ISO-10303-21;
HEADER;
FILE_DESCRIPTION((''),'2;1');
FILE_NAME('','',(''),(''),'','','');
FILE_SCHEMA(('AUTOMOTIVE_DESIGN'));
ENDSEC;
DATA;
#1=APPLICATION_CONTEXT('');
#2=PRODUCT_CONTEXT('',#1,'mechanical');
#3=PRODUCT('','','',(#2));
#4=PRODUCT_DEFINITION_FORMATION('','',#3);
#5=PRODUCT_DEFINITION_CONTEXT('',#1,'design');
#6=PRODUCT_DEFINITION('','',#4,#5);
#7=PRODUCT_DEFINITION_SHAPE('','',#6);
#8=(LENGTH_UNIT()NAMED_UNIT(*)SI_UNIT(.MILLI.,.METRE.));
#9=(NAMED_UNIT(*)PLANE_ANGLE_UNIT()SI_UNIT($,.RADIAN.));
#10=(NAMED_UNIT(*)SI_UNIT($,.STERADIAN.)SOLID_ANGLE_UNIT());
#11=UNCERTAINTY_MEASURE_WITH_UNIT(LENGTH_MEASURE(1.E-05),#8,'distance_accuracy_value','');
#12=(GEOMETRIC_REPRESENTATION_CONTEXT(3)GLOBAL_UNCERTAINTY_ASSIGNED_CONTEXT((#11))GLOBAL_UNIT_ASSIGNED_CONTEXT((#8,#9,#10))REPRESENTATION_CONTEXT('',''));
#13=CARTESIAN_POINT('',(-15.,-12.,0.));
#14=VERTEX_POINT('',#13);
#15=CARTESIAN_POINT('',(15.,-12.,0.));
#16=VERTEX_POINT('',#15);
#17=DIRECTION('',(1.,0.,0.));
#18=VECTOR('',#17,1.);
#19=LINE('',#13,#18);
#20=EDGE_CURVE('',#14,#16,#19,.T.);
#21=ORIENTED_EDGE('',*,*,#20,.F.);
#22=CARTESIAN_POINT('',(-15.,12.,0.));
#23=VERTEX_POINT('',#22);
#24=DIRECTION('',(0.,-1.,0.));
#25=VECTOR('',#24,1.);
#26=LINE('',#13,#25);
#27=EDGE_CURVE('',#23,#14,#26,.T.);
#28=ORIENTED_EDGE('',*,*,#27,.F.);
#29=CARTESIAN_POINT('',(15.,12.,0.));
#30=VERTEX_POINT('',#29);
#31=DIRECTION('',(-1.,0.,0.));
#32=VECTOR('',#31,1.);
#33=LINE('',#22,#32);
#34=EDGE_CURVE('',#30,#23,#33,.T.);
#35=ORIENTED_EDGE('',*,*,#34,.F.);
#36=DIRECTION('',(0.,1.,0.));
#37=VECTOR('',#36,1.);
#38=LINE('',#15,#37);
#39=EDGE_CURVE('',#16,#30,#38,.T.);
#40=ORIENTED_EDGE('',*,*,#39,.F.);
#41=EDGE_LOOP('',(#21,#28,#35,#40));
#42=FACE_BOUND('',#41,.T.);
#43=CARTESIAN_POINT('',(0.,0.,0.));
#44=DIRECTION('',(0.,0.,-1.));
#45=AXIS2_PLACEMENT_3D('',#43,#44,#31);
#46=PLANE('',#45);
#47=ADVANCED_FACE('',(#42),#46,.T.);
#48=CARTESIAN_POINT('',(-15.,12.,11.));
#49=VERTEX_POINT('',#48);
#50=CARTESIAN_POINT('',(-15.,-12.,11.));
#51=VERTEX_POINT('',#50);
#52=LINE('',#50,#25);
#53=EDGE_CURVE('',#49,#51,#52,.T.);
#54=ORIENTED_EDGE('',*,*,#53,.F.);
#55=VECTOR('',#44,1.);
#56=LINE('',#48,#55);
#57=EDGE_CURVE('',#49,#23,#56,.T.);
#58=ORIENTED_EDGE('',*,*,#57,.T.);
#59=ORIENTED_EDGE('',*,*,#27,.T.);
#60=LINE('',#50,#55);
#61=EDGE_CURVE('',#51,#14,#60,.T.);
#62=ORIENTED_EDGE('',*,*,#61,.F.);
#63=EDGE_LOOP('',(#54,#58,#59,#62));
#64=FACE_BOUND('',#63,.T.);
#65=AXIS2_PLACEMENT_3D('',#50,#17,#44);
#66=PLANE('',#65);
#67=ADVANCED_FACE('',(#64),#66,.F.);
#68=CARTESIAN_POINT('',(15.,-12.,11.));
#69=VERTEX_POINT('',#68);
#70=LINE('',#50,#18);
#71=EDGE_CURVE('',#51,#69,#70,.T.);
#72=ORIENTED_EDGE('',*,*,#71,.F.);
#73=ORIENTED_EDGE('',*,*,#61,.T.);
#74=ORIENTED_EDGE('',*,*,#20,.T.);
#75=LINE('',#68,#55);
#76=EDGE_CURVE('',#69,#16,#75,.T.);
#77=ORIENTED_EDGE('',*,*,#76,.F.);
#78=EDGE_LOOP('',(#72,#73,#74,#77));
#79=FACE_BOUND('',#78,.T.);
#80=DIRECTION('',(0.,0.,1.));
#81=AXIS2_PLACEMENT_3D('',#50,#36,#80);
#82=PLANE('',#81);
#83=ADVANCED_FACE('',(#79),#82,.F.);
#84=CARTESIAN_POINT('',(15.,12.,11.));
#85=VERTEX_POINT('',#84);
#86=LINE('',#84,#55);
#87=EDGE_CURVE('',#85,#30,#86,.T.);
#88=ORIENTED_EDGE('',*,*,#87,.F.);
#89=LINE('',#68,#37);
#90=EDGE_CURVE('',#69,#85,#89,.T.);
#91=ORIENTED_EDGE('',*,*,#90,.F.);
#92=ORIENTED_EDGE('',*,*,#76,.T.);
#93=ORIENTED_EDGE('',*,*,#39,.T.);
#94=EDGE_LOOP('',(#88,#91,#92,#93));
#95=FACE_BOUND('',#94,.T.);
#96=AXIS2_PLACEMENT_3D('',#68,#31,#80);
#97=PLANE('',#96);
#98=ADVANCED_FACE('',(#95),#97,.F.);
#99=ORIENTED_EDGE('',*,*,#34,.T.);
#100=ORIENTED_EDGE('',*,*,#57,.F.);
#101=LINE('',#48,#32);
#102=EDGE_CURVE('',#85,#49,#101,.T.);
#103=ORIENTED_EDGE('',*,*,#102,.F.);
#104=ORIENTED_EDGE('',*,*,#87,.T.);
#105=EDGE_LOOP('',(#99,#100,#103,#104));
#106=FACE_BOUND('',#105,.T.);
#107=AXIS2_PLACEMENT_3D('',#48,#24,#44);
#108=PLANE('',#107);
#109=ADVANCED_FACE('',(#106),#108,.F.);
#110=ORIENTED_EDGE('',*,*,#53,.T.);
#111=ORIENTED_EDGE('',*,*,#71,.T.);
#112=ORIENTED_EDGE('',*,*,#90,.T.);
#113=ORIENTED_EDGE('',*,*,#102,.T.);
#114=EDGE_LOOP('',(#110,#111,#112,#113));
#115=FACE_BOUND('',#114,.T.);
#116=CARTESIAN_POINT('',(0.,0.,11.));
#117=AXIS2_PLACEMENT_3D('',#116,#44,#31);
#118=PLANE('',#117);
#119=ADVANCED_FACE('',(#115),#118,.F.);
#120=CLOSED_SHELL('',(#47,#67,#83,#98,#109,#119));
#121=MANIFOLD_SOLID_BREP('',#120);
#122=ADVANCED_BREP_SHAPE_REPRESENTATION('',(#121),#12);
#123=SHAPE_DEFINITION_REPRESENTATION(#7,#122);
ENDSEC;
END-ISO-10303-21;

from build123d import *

# Parameters (mm, degrees)
SKETCH2_W              = 30
SKETCH2_H              = 24
REFERENCE_COUPON_DEPTH = 11


with BuildPart() as part:
    # Sketch2 → Reference_coupon (new body)
    with BuildSketch(Plane.XY):
        Rectangle(SKETCH2_W, SKETCH2_H)
    extrude(amount=REFERENCE_COUPON_DEPTH)


solid = part.part
